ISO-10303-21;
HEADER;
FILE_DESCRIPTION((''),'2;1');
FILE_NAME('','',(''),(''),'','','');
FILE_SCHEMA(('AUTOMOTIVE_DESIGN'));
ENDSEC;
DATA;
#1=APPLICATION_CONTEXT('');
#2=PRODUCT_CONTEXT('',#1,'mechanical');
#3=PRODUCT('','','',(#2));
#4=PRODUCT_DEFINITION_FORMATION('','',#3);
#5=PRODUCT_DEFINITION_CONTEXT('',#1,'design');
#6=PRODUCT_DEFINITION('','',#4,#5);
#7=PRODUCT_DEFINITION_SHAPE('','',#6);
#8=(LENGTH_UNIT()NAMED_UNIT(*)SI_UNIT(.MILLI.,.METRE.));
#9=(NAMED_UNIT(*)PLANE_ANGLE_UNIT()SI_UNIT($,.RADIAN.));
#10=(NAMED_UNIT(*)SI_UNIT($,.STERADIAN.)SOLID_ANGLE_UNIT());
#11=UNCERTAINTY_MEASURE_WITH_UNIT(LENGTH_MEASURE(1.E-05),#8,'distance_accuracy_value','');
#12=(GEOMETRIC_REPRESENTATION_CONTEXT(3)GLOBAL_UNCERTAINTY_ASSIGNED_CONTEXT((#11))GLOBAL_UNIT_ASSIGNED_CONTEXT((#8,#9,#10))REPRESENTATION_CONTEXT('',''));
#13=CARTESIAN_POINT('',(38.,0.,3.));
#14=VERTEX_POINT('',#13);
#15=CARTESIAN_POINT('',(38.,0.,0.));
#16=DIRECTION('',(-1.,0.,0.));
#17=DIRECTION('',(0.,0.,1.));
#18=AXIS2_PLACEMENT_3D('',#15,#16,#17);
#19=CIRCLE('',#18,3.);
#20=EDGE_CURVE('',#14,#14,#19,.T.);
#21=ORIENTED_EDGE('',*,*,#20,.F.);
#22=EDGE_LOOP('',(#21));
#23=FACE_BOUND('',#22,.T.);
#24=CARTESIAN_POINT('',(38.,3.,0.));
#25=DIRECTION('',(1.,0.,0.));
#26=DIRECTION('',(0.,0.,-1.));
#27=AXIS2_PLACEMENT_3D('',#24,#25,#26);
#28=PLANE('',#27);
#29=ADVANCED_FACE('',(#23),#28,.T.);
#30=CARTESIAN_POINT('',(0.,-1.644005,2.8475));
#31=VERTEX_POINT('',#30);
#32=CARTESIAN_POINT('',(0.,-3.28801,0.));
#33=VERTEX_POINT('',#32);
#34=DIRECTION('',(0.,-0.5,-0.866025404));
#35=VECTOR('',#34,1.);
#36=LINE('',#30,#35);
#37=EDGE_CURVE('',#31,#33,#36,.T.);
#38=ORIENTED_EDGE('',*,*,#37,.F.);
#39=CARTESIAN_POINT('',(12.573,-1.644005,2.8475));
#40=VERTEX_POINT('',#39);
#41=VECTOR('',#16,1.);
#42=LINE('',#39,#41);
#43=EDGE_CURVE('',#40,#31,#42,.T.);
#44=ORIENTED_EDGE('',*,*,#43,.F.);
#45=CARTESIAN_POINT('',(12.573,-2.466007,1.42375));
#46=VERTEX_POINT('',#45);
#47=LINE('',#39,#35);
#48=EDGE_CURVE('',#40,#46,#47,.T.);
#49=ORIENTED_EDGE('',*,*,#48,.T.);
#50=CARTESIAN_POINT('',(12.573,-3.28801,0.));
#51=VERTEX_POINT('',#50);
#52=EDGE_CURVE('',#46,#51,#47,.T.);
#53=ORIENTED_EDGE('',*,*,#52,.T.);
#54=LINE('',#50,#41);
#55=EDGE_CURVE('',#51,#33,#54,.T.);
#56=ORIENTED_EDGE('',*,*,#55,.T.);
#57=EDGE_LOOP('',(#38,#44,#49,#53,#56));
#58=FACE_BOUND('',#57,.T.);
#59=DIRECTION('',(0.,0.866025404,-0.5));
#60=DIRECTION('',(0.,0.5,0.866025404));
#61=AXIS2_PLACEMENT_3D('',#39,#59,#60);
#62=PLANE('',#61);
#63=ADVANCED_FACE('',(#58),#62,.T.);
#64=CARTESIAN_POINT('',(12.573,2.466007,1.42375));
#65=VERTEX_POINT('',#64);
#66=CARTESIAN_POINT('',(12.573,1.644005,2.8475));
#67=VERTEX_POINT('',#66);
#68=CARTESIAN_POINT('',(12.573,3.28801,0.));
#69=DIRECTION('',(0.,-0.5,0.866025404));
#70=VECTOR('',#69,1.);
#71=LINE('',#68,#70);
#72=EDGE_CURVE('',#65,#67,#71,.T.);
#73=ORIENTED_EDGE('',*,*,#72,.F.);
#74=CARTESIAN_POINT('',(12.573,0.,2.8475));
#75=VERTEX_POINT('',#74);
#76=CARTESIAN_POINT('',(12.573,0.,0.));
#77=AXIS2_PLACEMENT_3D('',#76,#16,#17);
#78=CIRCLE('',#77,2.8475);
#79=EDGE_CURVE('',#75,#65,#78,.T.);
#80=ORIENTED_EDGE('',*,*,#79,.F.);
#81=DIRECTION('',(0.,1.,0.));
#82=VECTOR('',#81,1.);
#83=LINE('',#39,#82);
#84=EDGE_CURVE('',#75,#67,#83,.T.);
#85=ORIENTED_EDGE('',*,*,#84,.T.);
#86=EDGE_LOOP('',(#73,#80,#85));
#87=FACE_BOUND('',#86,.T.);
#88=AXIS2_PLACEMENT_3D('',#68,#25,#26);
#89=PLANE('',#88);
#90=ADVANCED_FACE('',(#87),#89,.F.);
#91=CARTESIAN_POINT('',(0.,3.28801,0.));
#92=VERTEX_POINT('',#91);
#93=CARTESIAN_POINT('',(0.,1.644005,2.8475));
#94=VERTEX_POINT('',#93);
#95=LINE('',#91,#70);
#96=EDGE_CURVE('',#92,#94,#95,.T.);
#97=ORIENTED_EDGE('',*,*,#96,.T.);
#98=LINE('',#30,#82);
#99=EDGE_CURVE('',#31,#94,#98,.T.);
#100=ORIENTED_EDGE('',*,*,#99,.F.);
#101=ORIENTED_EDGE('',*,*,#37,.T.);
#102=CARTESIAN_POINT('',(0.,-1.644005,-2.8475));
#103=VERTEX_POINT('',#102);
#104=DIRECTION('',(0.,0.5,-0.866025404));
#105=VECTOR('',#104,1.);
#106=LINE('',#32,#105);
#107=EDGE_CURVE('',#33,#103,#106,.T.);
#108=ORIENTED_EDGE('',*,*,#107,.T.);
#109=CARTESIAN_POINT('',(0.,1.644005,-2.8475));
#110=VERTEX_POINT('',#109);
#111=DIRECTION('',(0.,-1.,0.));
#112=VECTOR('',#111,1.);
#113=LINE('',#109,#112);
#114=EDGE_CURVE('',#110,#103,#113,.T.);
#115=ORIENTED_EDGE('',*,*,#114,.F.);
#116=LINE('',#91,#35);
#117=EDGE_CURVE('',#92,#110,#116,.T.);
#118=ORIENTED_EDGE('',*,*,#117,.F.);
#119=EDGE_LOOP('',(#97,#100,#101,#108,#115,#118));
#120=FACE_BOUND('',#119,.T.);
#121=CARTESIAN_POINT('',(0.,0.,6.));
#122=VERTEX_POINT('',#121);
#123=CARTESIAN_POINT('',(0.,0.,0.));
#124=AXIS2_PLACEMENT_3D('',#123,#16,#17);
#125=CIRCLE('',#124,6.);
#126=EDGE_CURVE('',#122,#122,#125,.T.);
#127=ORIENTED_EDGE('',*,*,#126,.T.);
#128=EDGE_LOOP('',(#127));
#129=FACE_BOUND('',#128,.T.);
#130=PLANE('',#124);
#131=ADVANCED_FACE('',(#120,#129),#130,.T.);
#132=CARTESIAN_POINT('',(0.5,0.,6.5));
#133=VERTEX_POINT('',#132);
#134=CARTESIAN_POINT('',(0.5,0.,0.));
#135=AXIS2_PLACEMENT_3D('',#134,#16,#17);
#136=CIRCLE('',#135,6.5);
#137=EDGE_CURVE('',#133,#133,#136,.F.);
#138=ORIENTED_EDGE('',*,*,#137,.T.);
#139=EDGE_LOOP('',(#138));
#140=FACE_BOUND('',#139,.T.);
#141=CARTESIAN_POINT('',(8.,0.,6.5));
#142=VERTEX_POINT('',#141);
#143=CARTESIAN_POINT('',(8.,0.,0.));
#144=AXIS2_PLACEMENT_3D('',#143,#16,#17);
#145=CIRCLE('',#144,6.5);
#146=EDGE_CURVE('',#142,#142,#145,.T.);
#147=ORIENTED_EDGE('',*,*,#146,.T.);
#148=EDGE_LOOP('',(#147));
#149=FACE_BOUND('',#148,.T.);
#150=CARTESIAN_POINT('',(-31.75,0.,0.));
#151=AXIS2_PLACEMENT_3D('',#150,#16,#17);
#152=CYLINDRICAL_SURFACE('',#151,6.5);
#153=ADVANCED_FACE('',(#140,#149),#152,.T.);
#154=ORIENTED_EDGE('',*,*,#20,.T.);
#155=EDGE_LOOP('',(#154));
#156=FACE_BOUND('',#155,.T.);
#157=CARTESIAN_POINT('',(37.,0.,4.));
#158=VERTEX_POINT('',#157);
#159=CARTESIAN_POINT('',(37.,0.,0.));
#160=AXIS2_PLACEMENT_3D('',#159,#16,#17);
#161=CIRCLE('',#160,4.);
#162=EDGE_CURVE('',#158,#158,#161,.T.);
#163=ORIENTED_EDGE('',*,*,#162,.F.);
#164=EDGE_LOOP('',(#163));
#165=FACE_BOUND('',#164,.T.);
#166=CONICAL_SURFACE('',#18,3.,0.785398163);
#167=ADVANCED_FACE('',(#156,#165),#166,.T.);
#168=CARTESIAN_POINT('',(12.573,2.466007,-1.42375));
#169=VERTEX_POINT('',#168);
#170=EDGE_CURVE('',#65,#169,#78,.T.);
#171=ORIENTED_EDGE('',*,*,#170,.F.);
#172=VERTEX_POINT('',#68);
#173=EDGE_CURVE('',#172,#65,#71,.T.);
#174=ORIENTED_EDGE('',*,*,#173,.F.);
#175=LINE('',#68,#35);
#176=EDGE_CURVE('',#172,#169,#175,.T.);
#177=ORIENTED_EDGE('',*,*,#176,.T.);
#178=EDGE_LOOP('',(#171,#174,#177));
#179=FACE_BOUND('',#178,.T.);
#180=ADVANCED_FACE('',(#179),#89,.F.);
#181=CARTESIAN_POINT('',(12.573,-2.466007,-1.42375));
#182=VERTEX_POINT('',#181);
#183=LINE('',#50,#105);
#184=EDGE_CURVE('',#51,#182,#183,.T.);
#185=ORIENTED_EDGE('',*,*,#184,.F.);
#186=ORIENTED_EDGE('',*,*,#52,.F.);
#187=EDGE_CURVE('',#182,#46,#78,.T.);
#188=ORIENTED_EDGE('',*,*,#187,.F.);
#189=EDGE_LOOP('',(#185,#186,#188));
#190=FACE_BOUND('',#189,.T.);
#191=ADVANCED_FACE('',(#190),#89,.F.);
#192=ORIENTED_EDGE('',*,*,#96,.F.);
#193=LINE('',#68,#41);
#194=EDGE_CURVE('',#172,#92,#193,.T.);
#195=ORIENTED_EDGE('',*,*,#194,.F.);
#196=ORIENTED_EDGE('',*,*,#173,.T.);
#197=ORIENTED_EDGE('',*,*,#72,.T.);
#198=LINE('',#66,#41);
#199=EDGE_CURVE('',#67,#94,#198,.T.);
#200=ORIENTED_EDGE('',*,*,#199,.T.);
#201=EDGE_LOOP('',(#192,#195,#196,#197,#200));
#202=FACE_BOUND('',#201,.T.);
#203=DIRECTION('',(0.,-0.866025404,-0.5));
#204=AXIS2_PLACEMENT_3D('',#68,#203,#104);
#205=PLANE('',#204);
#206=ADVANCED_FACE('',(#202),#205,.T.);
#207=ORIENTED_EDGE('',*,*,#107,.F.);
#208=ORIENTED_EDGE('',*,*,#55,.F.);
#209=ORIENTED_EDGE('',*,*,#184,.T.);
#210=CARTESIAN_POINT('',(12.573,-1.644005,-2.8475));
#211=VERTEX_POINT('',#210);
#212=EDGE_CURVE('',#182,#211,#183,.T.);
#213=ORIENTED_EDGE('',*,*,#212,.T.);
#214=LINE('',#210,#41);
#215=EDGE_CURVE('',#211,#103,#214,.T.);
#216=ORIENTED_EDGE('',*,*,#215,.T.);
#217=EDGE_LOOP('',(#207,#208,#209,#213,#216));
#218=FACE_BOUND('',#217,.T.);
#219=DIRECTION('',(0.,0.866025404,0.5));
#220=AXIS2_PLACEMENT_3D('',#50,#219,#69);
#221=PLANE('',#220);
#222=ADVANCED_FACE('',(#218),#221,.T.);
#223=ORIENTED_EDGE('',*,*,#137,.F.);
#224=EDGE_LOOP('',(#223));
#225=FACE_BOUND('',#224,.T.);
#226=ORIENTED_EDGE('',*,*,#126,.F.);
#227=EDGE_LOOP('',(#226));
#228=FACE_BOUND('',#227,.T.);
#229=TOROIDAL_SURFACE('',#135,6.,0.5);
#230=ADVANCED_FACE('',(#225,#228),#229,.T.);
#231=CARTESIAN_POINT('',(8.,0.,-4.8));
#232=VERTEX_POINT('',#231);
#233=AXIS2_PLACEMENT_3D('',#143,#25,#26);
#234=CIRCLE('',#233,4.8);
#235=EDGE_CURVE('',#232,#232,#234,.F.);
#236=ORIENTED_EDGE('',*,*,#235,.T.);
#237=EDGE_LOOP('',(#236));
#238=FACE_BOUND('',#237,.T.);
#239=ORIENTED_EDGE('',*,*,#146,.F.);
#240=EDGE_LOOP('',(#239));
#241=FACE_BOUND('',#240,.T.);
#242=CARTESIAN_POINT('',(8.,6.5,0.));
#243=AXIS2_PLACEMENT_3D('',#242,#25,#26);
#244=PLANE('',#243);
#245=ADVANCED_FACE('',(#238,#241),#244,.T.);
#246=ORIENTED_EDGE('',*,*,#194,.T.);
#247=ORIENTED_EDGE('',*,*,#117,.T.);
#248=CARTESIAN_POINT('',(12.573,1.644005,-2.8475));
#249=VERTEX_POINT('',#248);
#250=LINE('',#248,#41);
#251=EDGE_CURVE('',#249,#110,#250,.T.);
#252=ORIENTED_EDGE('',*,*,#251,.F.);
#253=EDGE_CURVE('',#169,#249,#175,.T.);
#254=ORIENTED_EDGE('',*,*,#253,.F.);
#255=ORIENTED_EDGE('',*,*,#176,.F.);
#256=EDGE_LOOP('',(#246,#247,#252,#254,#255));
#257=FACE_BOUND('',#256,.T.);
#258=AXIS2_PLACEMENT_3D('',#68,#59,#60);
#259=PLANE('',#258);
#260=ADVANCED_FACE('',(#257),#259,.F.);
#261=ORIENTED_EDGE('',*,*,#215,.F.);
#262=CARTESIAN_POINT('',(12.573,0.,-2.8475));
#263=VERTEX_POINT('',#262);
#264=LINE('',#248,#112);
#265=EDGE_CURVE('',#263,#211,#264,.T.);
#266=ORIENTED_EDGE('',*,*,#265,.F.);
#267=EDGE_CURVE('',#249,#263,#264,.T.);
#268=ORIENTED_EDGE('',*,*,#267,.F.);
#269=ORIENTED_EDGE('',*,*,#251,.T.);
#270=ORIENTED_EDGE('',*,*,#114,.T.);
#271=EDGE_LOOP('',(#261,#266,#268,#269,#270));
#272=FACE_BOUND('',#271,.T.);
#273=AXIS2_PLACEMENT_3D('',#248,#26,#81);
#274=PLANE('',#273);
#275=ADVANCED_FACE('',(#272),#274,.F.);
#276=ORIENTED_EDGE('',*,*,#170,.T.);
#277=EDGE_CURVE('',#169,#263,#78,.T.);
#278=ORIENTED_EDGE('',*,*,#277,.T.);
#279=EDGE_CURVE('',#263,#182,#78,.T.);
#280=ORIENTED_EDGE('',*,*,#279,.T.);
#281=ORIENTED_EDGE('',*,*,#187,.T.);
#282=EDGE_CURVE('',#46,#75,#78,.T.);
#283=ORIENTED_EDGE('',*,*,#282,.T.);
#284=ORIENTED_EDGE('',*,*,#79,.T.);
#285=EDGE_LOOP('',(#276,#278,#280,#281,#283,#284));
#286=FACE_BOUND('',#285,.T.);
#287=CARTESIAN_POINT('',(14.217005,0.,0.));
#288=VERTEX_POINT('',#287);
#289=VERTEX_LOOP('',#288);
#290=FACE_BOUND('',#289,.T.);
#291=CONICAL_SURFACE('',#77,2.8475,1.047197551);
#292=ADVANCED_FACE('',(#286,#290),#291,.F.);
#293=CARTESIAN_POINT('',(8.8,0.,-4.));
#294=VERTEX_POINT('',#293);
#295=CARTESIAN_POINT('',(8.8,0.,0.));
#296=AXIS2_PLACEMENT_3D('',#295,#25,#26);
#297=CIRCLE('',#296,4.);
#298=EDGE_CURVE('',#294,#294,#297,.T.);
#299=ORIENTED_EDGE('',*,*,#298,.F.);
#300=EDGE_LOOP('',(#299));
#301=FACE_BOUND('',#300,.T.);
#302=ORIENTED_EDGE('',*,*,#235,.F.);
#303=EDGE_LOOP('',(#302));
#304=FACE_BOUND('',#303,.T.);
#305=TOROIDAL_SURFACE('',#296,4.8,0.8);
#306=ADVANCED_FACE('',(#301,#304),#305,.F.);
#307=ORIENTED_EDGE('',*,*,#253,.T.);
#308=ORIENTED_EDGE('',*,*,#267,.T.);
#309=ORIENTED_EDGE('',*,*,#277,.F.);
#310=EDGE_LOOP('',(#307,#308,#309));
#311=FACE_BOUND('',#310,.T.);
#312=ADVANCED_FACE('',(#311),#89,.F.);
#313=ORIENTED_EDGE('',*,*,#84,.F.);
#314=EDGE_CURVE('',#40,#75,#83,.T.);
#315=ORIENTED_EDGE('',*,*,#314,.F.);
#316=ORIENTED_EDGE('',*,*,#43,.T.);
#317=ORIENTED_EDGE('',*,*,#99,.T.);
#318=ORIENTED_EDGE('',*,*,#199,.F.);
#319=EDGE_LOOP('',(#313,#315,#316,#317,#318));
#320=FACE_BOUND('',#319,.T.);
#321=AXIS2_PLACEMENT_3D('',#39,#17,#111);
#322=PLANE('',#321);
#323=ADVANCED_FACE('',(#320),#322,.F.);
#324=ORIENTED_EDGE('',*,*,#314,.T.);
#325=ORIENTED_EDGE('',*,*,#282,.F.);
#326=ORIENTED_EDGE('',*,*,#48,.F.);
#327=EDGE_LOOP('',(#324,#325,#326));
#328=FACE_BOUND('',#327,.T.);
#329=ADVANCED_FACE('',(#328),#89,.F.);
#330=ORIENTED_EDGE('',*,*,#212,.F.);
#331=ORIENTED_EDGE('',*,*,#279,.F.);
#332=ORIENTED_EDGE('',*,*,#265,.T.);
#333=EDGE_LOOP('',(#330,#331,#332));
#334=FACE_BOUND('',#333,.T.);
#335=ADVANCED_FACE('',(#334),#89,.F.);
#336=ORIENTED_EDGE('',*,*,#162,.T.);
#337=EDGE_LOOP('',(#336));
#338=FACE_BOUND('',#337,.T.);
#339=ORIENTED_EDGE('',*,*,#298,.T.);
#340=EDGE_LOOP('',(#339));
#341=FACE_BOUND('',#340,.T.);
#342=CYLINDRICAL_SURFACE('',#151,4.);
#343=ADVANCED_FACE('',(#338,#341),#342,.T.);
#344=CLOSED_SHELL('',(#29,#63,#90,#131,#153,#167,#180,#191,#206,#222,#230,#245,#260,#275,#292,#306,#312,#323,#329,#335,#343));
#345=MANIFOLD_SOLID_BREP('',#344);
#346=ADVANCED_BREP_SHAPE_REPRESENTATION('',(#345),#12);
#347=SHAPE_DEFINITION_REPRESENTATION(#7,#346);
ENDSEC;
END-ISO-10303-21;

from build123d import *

# Parameters (mm, degrees)
FILLET1_R   = 0.8
FILLET2_R   = 0.5
HEX_2_DEPTH = 12.573


with BuildPart() as part:
    # BodySke → Base-Revolve (revolve)
    with BuildSketch(Plane.XY):
        Polygon((0, 0), (0, 6.5), (8, 6.5), (8, 4), (37, 4), (38, 3), (38, 0), align=None)
    revolve(axis=Axis((-31.75, 0, 0), (1, 0, 0)))

    # Fillet1
    fillet1_edges = [part.edges().sort_by_distance(p)[0] for p in [
        (8, -4, 0),
    ]]
    fillet(fillet1_edges, radius=FILLET1_R)

    # Fillet2
    fillet2_edges = [part.edges().sort_by_distance(p)[0] for p in [
        (0, -6.5, 0),
    ]]
    fillet(fillet2_edges, radius=FILLET2_R)

    # Sketch2 → Hex-PreBroach (revolve, cut)
    with BuildSketch(Plane.XY):
        Polygon((0, 2.8475), (12.573, 2.8475), (14.217004892, 0), (0, 0), align=None)
    revolve(axis=Axis((0, 0, 0), (1, 0, 0)), mode=Mode.SUBTRACT)

    # Sketch3 → Hex 2 (cut)
    with BuildSketch(Plane(origin=(0, 0, 0), x_dir=(0, 0.5, 0.866025404), z_dir=(-1, 0, 0))):
        Polygon((1.644004892, 2.8475), (-1.644004892, 2.8475), (-3.288009783, 0), (-1.644004892, -2.8475), (1.644004892, -2.8475), (3.288009783, 0), align=None)
    extrude(amount=-HEX_2_DEPTH, mode=Mode.SUBTRACT)


solid = part.part
